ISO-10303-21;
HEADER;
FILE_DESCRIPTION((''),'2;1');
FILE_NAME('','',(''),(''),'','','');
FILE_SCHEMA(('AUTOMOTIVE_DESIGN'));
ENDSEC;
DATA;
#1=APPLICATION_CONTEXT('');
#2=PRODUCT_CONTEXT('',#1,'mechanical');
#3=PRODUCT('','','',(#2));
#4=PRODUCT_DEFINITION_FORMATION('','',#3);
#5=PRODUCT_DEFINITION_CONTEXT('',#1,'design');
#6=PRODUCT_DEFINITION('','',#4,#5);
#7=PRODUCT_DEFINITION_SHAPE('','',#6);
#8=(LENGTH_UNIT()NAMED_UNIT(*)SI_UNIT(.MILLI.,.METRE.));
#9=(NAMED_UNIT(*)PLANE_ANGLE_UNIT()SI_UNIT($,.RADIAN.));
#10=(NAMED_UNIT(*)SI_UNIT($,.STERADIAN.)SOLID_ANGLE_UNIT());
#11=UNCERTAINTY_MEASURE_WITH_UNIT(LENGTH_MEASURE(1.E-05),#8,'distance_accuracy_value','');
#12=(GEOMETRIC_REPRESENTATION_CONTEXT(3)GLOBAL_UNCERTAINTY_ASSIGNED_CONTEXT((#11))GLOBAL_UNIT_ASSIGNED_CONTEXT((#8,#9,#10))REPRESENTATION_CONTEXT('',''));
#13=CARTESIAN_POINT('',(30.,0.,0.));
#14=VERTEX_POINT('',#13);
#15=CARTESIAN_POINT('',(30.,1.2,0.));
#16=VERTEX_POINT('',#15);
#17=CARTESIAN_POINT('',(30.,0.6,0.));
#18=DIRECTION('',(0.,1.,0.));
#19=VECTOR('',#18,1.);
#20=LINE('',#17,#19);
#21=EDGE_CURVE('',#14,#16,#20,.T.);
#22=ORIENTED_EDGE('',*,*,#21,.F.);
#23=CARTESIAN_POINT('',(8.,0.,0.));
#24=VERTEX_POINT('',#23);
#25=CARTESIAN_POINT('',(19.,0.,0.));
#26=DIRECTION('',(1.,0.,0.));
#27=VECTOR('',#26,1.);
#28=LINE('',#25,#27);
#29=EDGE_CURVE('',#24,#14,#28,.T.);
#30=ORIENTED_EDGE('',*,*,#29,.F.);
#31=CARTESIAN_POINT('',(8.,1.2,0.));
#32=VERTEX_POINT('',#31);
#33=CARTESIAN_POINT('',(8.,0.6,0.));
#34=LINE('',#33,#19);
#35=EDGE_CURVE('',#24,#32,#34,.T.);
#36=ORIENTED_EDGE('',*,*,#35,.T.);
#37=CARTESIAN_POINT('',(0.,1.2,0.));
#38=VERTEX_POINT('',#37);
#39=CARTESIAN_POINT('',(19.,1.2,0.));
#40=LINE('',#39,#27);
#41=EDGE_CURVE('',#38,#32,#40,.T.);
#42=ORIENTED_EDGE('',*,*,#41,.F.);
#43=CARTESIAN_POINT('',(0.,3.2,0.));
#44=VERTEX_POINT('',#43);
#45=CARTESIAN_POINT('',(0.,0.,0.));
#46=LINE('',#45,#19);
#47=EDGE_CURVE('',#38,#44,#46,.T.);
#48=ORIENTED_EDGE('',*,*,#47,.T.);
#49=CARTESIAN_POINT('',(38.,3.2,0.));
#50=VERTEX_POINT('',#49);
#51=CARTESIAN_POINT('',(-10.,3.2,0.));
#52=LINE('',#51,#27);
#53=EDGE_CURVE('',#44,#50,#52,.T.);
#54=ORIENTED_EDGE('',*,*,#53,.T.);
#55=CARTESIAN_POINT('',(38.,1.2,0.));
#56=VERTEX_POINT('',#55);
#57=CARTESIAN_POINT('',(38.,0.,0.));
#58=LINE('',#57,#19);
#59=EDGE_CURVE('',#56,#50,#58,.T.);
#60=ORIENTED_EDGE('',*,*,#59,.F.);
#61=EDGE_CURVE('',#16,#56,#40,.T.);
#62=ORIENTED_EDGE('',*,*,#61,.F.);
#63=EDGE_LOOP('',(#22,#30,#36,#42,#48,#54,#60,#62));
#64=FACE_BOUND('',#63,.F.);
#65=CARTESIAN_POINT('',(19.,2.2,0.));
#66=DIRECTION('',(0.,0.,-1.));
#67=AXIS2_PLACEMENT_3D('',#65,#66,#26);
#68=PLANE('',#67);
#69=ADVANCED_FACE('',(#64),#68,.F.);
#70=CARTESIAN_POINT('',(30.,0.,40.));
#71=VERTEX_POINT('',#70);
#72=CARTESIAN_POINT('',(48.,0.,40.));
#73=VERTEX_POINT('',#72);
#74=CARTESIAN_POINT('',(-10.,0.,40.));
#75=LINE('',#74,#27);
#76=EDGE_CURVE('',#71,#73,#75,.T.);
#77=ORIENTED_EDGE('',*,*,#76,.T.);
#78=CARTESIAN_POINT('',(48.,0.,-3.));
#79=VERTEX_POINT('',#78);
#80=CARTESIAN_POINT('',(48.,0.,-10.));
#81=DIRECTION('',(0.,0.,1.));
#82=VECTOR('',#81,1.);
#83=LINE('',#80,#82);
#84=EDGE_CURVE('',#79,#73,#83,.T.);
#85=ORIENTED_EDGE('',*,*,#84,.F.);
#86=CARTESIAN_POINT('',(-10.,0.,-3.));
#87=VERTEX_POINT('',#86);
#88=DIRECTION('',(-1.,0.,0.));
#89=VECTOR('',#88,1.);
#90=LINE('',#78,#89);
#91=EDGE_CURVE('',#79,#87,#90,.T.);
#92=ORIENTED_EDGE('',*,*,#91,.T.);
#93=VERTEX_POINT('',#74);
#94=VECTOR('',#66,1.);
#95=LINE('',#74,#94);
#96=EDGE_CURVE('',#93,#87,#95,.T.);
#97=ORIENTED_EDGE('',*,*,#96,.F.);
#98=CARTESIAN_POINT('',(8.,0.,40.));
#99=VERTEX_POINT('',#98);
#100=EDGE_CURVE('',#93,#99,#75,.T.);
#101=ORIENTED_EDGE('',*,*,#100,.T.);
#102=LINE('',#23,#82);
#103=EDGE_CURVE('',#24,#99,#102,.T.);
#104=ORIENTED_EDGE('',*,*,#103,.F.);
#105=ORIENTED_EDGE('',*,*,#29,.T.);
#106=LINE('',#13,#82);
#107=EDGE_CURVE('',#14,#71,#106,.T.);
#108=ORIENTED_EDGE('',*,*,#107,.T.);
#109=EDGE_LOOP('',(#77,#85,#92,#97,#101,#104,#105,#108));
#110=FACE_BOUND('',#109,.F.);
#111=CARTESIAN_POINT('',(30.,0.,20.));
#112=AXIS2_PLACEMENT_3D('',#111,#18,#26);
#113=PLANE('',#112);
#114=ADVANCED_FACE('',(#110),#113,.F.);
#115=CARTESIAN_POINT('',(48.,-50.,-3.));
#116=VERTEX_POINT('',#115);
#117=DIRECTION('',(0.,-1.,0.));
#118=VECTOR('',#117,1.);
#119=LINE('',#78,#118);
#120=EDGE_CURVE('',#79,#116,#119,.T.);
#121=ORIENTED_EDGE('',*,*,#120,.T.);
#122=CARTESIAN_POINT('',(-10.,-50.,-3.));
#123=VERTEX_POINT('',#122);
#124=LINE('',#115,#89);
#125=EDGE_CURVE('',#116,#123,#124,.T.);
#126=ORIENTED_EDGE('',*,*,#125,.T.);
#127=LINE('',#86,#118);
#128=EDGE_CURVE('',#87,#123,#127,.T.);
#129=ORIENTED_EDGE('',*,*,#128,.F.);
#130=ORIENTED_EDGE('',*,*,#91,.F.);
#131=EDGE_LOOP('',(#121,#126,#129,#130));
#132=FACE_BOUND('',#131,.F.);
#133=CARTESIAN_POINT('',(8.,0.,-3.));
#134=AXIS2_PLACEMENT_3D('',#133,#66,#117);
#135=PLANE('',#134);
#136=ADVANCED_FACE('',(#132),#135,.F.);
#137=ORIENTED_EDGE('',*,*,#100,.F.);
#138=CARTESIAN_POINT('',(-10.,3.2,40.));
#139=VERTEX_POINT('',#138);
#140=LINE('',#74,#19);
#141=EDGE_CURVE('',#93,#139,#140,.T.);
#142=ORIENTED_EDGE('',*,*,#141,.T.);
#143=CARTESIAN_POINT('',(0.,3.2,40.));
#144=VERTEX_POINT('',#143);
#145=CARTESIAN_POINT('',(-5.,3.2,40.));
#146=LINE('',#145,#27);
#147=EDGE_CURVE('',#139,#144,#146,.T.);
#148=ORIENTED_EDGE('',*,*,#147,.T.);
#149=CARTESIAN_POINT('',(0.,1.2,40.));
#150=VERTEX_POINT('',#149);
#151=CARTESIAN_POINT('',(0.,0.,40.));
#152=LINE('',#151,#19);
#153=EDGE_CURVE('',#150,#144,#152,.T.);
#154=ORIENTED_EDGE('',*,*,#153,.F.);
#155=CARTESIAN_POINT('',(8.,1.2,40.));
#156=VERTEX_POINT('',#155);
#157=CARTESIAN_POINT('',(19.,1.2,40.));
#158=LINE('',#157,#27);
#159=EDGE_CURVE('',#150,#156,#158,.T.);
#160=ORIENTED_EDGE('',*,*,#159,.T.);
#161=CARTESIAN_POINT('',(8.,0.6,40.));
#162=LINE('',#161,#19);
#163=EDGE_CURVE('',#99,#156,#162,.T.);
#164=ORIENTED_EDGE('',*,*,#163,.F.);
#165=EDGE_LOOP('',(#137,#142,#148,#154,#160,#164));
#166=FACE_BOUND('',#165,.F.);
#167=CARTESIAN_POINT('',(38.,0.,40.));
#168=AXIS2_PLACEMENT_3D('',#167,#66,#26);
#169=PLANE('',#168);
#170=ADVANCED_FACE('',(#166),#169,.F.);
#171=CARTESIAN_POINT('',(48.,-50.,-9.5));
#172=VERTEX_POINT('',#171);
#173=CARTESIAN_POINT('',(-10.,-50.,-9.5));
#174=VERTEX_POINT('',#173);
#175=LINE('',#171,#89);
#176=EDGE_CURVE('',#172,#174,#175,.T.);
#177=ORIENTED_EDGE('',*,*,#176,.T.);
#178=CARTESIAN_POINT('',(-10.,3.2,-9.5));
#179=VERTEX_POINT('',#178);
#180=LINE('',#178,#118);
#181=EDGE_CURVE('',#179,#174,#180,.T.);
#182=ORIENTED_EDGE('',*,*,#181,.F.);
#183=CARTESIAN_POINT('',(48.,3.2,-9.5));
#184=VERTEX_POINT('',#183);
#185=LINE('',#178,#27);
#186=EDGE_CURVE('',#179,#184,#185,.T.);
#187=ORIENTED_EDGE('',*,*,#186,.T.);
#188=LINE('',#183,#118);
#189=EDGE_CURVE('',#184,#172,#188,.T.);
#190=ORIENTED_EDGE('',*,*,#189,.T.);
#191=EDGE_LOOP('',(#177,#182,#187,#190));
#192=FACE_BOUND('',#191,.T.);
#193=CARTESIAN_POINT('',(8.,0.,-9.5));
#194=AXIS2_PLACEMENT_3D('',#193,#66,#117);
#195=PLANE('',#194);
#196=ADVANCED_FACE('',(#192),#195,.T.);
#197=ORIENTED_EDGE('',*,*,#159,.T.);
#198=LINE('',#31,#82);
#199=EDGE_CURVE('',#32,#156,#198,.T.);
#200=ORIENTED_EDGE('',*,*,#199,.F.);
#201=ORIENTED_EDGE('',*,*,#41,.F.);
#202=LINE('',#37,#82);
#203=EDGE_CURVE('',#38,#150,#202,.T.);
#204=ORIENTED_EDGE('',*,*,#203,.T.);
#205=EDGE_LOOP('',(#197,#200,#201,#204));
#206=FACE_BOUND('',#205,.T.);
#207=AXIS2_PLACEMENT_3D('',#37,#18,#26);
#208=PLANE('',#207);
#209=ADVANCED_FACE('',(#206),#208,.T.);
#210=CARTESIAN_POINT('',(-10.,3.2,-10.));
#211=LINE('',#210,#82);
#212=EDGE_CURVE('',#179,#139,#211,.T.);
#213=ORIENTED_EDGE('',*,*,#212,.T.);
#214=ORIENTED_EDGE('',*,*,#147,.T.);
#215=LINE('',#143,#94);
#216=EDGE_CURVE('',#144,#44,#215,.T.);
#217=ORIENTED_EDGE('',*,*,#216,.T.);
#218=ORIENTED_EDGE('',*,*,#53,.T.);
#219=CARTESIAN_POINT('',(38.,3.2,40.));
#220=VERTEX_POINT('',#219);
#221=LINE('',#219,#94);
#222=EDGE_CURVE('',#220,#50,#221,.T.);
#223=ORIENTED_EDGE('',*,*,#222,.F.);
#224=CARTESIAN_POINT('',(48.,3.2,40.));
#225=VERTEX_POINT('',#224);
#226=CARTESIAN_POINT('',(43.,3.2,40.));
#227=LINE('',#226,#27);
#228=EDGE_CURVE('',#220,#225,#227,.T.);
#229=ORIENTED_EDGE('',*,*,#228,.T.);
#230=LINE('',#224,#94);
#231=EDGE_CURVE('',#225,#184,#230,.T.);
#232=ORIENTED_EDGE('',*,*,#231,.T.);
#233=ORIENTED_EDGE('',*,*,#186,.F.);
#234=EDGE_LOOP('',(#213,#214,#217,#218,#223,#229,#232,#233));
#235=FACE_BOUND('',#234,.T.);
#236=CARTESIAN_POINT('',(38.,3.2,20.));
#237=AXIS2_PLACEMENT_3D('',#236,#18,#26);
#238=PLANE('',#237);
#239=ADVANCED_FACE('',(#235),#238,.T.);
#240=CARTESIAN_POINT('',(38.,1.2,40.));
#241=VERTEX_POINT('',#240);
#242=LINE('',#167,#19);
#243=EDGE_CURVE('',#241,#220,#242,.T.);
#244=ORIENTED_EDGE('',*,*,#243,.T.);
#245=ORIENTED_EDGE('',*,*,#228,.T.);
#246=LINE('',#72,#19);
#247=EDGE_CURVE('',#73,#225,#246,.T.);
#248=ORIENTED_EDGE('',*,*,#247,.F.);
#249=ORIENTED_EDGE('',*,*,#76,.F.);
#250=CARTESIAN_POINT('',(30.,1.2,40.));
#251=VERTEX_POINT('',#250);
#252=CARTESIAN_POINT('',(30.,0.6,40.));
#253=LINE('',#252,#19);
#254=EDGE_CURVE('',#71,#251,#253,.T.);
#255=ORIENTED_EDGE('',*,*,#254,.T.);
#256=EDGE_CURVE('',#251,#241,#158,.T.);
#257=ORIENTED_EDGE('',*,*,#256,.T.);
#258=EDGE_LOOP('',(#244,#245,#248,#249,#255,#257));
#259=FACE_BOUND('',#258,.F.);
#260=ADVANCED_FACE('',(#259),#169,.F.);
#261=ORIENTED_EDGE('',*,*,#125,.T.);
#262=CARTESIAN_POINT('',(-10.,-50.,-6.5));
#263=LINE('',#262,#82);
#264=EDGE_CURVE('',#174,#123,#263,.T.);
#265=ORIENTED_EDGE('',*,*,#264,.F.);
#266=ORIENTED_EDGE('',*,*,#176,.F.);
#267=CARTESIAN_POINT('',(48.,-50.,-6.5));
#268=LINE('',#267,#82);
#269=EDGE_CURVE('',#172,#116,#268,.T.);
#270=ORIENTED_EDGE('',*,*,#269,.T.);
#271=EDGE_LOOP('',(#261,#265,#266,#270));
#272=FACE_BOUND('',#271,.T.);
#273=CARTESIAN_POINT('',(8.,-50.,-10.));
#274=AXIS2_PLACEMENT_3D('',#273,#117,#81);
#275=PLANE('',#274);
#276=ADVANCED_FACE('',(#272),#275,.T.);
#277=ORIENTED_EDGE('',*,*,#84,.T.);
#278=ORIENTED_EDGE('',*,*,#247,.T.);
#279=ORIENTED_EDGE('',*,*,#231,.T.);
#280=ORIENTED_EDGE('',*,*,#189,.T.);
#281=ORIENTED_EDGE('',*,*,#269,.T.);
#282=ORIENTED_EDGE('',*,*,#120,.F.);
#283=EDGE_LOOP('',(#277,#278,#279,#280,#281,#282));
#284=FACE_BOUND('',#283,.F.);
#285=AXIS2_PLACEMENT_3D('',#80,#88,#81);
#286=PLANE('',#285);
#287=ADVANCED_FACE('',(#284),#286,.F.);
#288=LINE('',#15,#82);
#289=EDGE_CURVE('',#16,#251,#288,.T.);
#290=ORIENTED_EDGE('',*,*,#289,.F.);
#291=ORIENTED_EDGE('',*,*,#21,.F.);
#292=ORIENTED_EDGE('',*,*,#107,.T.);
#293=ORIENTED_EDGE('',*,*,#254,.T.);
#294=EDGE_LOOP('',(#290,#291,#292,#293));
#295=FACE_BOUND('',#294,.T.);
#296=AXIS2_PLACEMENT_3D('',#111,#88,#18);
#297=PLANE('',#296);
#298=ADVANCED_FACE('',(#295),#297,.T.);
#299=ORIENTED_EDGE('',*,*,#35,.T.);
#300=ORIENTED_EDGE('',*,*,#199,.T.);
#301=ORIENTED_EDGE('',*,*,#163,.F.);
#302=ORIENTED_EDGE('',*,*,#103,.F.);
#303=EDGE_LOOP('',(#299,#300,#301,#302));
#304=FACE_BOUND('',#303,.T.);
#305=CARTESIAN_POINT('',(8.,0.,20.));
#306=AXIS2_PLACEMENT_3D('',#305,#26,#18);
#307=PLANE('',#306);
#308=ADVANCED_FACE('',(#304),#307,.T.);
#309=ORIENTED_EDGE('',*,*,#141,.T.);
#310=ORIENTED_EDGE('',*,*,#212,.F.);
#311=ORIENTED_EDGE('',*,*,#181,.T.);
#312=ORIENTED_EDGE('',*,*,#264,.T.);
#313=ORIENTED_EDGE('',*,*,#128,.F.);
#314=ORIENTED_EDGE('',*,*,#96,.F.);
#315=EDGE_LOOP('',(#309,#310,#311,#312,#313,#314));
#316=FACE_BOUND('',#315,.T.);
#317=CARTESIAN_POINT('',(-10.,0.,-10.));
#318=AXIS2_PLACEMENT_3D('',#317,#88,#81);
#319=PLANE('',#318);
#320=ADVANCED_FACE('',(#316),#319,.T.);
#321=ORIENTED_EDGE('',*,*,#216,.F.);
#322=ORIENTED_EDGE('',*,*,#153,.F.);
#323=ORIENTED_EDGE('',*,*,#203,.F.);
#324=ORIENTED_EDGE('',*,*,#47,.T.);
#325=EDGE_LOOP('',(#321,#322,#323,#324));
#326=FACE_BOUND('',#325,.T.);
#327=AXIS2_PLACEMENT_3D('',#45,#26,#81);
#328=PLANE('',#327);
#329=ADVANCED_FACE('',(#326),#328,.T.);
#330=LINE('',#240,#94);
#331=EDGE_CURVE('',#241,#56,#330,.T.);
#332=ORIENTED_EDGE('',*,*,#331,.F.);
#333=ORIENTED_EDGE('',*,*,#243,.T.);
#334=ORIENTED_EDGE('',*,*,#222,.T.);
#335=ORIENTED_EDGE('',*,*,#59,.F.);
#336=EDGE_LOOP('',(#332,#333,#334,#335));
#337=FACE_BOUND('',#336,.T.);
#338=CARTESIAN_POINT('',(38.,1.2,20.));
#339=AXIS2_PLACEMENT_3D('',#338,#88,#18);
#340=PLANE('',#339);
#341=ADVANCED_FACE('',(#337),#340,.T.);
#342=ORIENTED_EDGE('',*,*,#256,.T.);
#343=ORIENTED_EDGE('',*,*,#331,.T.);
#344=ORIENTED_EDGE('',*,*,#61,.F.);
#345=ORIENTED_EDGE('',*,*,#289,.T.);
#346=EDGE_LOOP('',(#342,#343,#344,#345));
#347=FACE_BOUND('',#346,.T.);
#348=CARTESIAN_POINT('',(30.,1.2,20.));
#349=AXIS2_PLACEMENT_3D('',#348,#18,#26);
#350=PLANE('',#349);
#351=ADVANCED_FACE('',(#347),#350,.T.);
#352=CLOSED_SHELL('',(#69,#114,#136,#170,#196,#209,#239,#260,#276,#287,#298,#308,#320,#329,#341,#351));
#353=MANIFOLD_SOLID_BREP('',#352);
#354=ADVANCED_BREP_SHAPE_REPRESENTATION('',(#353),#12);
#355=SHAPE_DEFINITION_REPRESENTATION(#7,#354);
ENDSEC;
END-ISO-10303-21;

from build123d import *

# Parameters (mm, degrees)
F0_W      = 38
F0_H      = 1.2
F1_DEPTH  = 20
F3_W      = 10
F3_H      = 20
F4_DEPTH  = 3.2
F5_W      = 10
F5_H      = 20
F6_DEPTH  = 3.2
F7_W      = 38
F7_H      = 2
F8_DEPTH  = 10
F2_W      = 22
F2_H      = 1.2
F9_DEPTH  = 20
F10_W     = 18
F10_H     = 7
F11_DEPTH = 50
F12_DEPTH = 20
F13_DEPTH = 40
F14_DEPTH = 0.5


with BuildPart() as f1:
    # F0 (on Top) → F1 (new body)
    with BuildSketch(Plane.XY):
        with Locations((19, 0.6)):
            Rectangle(F0_W, F0_H)
    extrude(amount=F1_DEPTH)

    # F3 (on face) → F4 (join)
    with BuildSketch(Plane.XZ):
        with Locations((-5, 10)):
            Rectangle(F3_W, F3_H)
    extrude(amount=-F4_DEPTH)

    # F5 (on face) → F6 (join)
    with BuildSketch(Plane.XZ):
        with Locations((43, 10)):
            Rectangle(F5_W, F5_H)
    extrude(amount=-F6_DEPTH)

    # F7 (on face) → F8 (join)
    with BuildSketch(Plane(origin=(0, 0, 0), x_dir=(1, 0, 0), z_dir=(0, 0, -1))):
        with Locations((19, -2.2)):
            Rectangle(F7_W, F7_H)
        Polygon((48, -3.2), (48, 0), (-10, 0), (-10, -3.2), (0, -3.2), (0, -1.2), (38, -1.2), (38, -3.2), align=None)
    extrude(amount=F8_DEPTH)

    # F2 (on face) → F9 (cut)
    with BuildSketch(Plane.XY.offset(20)):
        with Locations((19, 0.6)):
            Rectangle(F2_W, F2_H)
    extrude(amount=-F9_DEPTH, mode=Mode.SUBTRACT)

    # F10 (on face) → F11 (join)
    with BuildSketch(Plane.XZ):
        with Locations((-1, -6.5)):
            Rectangle(F10_W, F10_H)
    extrude(amount=F11_DEPTH)

    # F12 (add): faces of the model
    f12_faces = [f1.faces().sort_by_distance(p)[0] for p in [
        (40.9230769231, 1.3692307692, 20),
        (-2.9230769231, 1.3692307692, 20),
    ]]
    extrude(f12_faces, amount=F12_DEPTH)

    # F13 (add): a face of the model
    f13_faces = [f1.faces().sort_by_distance(p)[0] for p in [
        (8, -25, -6.5),
    ]]
    extrude(f13_faces, amount=F13_DEPTH)

    # F14 (cut): a face of the model
    f14_faces = [f1.faces().sort_by_distance(p)[0] for p in [
        (19, -23.4, -10),
    ]]
    extrude(f14_faces, amount=-F14_DEPTH, mode=Mode.SUBTRACT)


solid = f1.part
